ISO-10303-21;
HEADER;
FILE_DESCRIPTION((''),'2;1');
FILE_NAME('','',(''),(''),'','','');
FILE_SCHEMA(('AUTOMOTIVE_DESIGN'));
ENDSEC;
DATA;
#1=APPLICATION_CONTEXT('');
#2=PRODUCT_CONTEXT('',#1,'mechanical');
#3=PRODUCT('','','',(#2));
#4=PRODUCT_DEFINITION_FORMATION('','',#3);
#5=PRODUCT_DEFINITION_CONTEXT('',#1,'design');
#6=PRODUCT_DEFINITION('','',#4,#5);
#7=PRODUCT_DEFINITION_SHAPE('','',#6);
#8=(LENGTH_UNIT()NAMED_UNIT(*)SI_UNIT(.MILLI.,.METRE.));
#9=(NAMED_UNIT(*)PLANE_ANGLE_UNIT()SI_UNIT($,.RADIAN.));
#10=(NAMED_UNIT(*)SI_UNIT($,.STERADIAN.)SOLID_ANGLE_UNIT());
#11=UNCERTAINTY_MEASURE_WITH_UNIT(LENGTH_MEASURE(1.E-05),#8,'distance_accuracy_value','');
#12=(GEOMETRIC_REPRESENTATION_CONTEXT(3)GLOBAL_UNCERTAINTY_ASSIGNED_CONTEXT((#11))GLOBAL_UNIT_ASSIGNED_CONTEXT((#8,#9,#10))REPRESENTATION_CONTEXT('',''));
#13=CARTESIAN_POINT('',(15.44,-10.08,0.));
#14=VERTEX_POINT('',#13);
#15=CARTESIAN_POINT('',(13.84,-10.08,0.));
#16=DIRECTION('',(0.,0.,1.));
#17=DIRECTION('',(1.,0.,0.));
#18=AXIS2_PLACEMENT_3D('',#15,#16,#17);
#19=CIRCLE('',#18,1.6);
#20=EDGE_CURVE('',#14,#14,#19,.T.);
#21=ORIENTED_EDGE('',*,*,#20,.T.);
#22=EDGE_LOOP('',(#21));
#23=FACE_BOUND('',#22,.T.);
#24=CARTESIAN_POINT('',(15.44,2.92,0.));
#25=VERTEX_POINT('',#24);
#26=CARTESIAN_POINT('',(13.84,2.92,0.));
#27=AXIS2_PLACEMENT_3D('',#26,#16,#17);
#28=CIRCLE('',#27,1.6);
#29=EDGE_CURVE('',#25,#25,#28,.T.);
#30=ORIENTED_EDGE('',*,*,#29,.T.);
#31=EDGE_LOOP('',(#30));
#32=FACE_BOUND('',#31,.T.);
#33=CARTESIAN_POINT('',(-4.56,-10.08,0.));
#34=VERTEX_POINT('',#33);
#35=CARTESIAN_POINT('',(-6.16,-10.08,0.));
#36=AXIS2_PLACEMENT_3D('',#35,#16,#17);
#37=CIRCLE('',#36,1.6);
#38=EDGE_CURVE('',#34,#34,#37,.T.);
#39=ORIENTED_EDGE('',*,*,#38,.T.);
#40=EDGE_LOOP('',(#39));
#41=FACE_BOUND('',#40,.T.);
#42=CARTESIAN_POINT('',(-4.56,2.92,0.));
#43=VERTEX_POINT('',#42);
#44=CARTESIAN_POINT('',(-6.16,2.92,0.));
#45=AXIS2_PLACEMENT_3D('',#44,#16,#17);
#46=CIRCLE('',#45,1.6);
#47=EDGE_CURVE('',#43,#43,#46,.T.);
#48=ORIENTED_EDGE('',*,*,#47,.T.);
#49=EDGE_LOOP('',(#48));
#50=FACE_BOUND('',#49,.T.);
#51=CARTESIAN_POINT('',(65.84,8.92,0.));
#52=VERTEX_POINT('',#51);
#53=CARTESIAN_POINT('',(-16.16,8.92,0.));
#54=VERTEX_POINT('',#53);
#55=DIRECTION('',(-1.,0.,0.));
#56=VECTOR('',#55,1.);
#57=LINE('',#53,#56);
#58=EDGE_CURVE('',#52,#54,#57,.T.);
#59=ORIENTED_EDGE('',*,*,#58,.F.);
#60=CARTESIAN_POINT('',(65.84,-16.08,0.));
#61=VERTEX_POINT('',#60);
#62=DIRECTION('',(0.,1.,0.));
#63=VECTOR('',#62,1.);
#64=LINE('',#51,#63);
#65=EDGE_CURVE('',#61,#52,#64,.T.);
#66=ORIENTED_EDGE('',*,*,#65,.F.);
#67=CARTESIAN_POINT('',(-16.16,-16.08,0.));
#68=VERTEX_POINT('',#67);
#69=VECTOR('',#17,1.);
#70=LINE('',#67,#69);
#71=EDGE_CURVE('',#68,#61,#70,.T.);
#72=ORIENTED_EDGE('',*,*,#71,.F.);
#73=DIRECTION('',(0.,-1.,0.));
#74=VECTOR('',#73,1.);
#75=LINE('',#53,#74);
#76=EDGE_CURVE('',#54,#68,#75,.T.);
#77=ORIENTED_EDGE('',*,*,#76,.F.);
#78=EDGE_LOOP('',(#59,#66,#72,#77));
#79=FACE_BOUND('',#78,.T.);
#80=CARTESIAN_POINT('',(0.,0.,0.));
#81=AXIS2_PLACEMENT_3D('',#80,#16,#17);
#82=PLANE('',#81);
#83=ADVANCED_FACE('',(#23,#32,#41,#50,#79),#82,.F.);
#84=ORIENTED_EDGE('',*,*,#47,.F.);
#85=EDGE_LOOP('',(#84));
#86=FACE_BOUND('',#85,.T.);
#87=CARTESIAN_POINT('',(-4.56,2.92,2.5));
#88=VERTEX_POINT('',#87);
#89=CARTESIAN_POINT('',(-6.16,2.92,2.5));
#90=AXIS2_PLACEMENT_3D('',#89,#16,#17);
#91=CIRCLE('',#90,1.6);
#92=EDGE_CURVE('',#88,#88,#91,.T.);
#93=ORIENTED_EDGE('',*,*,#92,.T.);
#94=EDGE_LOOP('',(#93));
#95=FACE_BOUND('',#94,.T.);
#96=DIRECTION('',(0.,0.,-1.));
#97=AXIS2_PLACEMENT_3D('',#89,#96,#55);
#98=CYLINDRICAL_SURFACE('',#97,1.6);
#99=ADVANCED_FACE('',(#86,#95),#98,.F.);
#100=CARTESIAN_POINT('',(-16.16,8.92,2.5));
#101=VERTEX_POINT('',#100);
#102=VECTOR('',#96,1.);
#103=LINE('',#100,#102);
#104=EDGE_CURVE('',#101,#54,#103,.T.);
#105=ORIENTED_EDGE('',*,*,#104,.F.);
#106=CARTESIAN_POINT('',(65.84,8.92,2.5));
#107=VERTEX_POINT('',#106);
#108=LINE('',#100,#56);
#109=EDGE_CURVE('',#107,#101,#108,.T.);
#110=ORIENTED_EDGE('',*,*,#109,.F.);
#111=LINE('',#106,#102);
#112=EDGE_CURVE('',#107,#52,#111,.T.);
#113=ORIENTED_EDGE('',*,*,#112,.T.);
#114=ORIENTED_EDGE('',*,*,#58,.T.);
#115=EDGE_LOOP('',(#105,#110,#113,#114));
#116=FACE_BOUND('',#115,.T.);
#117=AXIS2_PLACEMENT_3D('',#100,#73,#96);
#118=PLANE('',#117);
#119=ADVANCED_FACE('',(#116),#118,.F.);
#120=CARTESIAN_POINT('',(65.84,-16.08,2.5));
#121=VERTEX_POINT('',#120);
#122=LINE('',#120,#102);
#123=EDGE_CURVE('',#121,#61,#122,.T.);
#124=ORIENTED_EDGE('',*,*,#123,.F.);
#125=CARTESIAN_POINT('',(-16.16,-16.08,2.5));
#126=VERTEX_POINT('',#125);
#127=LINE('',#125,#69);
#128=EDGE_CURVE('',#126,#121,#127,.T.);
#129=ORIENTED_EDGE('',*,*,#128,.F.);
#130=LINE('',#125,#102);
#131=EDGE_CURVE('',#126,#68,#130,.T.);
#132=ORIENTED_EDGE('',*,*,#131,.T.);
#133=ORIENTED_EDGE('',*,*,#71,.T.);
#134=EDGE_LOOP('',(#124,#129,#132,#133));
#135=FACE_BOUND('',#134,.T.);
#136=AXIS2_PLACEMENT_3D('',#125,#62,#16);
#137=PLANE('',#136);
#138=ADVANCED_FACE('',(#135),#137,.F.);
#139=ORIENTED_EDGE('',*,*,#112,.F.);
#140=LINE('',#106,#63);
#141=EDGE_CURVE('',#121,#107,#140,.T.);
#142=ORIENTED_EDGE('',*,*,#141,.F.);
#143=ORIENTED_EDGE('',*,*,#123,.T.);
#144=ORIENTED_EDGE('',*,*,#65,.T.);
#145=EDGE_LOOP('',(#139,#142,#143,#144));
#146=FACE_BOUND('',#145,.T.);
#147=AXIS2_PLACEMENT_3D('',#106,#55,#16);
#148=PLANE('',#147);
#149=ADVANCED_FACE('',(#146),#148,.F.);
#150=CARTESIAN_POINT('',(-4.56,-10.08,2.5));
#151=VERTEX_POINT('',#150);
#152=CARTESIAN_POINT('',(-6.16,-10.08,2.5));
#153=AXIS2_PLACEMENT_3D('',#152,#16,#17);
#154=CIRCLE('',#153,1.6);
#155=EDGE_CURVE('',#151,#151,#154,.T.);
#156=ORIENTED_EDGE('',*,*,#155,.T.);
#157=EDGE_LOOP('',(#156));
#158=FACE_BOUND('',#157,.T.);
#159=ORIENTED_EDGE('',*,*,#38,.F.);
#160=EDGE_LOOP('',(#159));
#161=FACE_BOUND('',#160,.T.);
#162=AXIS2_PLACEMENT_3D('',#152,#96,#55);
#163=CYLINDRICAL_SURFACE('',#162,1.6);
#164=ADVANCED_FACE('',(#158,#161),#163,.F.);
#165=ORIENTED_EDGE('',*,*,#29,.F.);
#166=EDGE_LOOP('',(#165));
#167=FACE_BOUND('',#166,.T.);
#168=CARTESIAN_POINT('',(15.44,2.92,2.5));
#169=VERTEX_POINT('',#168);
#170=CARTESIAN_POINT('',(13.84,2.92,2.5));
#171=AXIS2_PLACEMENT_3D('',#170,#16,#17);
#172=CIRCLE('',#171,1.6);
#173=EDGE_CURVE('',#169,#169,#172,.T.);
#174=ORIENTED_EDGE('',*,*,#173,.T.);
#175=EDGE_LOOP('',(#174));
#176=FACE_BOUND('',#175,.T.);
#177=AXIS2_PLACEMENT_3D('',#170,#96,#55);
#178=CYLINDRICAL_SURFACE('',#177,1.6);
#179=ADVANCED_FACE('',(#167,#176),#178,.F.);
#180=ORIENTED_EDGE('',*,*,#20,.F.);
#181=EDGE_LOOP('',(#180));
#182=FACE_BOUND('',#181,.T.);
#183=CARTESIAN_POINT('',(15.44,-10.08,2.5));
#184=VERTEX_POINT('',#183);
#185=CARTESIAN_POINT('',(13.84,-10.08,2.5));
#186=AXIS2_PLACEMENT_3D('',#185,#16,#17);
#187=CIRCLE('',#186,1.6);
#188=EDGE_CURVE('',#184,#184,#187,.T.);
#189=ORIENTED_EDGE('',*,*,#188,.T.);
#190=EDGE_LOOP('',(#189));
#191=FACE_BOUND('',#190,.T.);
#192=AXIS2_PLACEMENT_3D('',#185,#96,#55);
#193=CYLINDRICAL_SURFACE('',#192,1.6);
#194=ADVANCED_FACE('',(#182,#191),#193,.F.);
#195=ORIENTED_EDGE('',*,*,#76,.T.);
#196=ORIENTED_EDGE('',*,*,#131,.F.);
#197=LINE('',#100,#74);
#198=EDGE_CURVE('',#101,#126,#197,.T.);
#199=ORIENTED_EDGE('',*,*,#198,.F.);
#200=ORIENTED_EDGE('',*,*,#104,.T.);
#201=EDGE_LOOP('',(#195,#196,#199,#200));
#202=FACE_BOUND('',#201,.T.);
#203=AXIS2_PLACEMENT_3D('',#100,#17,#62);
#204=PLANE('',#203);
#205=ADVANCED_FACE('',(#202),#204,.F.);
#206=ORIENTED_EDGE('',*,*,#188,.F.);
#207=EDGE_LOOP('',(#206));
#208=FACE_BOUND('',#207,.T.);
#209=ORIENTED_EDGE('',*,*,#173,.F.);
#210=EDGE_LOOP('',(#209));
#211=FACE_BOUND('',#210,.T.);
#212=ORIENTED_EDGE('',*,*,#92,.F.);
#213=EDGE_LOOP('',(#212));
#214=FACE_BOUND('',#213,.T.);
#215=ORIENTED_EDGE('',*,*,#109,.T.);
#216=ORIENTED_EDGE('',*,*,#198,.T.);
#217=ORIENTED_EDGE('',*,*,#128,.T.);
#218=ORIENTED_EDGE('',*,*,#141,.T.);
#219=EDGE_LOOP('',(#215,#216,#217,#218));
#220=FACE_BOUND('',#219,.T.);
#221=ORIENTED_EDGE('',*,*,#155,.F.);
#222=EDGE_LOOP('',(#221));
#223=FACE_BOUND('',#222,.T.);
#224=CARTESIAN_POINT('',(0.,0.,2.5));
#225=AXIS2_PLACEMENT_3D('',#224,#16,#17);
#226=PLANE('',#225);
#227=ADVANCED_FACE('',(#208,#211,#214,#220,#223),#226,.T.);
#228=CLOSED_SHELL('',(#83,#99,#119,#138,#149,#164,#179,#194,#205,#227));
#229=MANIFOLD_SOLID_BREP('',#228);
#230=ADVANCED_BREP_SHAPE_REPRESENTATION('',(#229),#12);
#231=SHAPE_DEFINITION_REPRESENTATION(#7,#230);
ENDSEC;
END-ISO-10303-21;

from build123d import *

# Parameters (mm, degrees)
SKETCH1_W           = 82
SKETCH1_H           = 25
SKETCH1_R           = 1.6
BOSS_EXTRUDE1_DEPTH = 2.5


with BuildPart() as part:
    # Sketch1 → Boss-Extrude1 (new body)
    with BuildSketch(Plane.XY):
        with Locations((24.84, -3.58)):
            Rectangle(SKETCH1_W, SKETCH1_H)
        with Locations((-6.16, 2.92)):
            Circle(SKETCH1_R, mode=Mode.SUBTRACT)
        with Locations((-6.16, -10.08)):
            Circle(SKETCH1_R, mode=Mode.SUBTRACT)
        with Locations((13.84, 2.92)):
            Circle(SKETCH1_R, mode=Mode.SUBTRACT)
        with Locations((13.84, -10.08)):
            Circle(SKETCH1_R, mode=Mode.SUBTRACT)
    extrude(amount=BOSS_EXTRUDE1_DEPTH)


solid = part.part
